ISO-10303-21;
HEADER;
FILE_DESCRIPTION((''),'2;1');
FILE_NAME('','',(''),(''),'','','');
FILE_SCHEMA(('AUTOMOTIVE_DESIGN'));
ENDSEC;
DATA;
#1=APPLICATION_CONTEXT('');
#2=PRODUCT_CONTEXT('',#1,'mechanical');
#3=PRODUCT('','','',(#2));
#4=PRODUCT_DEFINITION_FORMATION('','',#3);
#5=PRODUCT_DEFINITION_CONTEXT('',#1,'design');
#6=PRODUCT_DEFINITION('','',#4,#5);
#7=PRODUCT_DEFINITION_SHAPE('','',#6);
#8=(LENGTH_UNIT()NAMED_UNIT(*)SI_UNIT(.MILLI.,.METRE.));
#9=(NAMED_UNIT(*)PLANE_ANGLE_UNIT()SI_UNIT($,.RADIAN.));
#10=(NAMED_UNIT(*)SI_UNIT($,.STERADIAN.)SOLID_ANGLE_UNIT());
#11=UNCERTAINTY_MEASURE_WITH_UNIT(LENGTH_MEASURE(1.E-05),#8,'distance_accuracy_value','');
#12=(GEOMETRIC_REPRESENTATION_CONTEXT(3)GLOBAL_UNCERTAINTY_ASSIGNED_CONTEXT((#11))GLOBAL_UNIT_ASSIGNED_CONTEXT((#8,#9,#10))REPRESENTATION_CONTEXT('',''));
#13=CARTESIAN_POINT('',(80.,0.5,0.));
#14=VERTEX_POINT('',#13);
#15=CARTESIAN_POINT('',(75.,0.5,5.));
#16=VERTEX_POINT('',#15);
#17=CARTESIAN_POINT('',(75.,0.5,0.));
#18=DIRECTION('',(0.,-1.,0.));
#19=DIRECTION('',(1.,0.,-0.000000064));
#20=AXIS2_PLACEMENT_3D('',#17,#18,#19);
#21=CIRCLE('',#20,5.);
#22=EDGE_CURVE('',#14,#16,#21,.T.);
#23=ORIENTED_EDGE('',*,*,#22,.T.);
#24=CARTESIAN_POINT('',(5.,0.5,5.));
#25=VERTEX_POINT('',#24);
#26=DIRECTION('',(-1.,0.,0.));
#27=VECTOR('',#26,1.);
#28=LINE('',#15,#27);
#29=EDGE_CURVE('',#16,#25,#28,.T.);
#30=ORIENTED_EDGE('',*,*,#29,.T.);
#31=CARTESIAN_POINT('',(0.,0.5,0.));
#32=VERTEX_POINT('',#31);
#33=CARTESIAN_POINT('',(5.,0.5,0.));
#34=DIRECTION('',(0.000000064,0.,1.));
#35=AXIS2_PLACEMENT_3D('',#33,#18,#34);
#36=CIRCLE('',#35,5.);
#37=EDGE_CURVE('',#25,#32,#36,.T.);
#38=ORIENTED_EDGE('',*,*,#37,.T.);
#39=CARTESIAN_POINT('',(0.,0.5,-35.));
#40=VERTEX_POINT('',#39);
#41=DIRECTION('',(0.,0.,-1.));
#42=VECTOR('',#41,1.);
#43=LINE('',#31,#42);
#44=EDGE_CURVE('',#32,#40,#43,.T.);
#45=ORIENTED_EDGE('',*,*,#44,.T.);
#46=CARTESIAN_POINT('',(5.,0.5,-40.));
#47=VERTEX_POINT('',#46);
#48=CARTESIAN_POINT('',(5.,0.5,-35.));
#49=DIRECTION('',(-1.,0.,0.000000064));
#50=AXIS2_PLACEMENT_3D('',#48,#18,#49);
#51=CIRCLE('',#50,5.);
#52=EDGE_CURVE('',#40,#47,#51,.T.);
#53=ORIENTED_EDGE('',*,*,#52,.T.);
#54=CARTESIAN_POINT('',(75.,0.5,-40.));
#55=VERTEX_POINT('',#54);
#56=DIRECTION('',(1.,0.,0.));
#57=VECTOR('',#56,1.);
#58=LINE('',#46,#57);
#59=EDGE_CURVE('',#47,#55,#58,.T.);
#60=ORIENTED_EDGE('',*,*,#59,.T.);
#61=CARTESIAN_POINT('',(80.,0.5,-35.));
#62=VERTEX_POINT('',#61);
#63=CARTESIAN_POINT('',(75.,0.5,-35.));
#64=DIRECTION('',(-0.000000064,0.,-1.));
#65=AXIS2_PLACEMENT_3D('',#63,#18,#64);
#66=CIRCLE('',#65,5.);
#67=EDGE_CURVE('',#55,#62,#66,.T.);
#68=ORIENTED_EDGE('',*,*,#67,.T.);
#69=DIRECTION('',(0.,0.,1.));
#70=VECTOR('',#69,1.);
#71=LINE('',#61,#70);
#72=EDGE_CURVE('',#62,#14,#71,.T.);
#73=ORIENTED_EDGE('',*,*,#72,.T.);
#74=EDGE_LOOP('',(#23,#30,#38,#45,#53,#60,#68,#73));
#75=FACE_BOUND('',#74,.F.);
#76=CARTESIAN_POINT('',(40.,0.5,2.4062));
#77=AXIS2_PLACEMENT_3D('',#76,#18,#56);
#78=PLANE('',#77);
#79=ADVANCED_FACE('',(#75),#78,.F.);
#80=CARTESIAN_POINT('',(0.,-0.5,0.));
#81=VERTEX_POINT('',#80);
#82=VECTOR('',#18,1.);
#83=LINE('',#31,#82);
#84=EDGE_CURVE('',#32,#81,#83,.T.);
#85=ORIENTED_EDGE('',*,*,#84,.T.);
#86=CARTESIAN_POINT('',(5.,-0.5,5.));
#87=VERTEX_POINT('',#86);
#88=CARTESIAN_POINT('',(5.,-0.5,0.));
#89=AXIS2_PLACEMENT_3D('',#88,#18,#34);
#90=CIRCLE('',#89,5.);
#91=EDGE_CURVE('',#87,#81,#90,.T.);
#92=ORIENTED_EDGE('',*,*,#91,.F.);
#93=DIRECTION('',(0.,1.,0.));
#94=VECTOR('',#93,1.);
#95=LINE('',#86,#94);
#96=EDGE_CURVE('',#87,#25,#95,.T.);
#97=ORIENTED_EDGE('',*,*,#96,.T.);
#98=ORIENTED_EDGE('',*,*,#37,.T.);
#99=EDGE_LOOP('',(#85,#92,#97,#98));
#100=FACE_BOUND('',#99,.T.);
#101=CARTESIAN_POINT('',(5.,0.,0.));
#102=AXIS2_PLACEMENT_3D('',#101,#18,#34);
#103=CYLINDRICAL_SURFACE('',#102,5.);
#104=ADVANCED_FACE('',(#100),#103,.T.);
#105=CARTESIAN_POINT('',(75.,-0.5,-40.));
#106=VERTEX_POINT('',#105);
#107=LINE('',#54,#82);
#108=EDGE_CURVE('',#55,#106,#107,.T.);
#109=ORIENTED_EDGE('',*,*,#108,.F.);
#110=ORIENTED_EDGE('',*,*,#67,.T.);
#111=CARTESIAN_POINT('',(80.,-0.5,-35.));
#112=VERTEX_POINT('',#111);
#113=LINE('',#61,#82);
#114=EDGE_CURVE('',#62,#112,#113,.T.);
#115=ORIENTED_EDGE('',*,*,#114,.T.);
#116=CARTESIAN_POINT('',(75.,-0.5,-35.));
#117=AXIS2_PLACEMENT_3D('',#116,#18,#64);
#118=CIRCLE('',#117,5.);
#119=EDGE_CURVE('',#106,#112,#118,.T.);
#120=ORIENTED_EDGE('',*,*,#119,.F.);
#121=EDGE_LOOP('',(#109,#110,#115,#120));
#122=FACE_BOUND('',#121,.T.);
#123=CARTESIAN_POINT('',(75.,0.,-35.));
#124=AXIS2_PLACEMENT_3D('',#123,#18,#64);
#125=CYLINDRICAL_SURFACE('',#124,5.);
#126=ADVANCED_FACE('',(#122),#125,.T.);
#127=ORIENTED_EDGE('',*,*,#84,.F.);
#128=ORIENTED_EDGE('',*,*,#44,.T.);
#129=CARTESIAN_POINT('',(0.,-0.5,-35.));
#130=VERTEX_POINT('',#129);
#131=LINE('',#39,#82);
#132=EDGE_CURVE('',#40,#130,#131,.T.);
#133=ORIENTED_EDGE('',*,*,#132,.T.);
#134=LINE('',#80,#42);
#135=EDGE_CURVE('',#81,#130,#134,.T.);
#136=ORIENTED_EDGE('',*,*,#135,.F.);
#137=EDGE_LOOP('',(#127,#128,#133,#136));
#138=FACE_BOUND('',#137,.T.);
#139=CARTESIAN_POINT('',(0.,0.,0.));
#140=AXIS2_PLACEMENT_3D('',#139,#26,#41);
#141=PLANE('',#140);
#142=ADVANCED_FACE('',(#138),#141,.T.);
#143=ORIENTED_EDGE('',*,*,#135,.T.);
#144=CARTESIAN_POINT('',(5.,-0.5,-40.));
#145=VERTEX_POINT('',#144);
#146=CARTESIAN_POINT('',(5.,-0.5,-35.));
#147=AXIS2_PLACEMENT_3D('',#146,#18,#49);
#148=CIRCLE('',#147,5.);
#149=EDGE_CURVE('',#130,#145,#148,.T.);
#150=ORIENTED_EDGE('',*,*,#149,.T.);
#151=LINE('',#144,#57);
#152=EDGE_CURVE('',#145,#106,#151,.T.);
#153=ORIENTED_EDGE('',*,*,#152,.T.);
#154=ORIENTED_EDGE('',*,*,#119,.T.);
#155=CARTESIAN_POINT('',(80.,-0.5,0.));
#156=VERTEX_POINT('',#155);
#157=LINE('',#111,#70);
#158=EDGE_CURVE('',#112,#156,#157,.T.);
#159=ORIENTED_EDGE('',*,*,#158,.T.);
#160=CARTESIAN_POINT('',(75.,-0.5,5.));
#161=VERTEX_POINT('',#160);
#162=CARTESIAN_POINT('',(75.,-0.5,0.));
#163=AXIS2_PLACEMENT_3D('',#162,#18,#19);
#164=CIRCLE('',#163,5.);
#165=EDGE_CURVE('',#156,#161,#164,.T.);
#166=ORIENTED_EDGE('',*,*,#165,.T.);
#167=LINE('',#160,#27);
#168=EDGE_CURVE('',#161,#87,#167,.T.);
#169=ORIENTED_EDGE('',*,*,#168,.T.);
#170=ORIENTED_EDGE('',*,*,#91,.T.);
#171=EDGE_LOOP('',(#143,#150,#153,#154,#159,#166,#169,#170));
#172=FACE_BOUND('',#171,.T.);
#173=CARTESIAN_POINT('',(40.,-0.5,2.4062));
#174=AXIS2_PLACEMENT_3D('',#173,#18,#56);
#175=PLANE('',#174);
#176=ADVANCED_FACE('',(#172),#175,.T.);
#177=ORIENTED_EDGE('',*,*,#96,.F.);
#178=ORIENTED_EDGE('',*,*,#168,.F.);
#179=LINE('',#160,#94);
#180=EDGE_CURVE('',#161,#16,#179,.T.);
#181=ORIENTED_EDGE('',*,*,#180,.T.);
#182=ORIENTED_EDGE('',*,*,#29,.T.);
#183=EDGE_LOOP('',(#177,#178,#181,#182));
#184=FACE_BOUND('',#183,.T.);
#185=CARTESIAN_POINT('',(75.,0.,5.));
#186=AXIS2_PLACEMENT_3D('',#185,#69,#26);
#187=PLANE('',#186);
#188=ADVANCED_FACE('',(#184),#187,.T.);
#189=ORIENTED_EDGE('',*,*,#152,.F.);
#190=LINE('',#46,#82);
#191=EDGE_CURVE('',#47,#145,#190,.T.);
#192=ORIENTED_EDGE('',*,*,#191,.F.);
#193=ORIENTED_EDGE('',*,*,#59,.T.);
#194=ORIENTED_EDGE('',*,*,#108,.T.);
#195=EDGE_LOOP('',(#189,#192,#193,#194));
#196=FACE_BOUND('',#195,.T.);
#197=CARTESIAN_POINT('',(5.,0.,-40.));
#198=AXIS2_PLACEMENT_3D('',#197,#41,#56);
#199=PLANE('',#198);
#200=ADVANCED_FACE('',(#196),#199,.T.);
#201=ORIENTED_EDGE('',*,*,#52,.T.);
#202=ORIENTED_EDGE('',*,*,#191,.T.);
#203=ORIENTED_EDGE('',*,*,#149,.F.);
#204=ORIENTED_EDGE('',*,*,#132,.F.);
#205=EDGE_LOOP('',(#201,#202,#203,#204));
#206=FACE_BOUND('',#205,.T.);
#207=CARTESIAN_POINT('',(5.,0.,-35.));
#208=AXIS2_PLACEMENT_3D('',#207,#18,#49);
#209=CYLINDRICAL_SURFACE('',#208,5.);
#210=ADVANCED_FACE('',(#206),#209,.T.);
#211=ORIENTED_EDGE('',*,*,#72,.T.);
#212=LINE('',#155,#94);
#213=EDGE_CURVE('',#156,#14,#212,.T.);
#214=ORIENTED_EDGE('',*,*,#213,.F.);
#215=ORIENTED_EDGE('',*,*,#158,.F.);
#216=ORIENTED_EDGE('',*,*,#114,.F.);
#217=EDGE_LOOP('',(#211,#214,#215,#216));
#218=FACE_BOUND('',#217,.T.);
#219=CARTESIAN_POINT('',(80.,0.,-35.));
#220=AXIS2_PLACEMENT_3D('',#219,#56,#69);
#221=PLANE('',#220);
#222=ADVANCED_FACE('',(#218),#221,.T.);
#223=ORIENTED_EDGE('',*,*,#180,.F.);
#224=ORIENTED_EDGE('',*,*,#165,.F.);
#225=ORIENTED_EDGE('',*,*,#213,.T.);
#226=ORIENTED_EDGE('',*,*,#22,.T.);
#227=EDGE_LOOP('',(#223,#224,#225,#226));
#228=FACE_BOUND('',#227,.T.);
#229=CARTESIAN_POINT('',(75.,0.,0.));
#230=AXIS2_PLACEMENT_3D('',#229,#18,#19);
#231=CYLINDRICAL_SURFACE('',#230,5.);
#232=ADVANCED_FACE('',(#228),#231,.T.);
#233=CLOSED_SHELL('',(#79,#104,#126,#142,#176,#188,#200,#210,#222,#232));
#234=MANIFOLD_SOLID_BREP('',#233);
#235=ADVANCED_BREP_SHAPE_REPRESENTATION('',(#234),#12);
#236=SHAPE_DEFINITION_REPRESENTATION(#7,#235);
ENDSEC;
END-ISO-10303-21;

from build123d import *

# Parameters (mm, degrees)
F1_DEPTH = 0.5


with BuildPart() as f1:
    # F0 (on Front) → F1 (new body, symmetric)
    with BuildSketch(Plane.XZ):
        with BuildLine():
            ThreePointArc((5, 5), (1.464466, 3.535534), (0, 0))
            Line((0, 0), (80, 0))
            ThreePointArc((80, 0), (78.535534, 3.535534), (75, 5))
            Line((75, 5), (5, 5))
        make_face()
        with BuildLine():
            Line((80, 0), (0, 0))
            Line((0, 0), (0, -35))
            ThreePointArc((0, -35), (1.464466, -38.535534), (5, -40))
            Line((5, -40), (75, -40))
            ThreePointArc((75, -40), (78.535534, -38.535534), (80, -35))
            Line((80, -35), (80, 0))
        make_face()
    extrude(amount=F1_DEPTH, both=True)


solid = f1.part
